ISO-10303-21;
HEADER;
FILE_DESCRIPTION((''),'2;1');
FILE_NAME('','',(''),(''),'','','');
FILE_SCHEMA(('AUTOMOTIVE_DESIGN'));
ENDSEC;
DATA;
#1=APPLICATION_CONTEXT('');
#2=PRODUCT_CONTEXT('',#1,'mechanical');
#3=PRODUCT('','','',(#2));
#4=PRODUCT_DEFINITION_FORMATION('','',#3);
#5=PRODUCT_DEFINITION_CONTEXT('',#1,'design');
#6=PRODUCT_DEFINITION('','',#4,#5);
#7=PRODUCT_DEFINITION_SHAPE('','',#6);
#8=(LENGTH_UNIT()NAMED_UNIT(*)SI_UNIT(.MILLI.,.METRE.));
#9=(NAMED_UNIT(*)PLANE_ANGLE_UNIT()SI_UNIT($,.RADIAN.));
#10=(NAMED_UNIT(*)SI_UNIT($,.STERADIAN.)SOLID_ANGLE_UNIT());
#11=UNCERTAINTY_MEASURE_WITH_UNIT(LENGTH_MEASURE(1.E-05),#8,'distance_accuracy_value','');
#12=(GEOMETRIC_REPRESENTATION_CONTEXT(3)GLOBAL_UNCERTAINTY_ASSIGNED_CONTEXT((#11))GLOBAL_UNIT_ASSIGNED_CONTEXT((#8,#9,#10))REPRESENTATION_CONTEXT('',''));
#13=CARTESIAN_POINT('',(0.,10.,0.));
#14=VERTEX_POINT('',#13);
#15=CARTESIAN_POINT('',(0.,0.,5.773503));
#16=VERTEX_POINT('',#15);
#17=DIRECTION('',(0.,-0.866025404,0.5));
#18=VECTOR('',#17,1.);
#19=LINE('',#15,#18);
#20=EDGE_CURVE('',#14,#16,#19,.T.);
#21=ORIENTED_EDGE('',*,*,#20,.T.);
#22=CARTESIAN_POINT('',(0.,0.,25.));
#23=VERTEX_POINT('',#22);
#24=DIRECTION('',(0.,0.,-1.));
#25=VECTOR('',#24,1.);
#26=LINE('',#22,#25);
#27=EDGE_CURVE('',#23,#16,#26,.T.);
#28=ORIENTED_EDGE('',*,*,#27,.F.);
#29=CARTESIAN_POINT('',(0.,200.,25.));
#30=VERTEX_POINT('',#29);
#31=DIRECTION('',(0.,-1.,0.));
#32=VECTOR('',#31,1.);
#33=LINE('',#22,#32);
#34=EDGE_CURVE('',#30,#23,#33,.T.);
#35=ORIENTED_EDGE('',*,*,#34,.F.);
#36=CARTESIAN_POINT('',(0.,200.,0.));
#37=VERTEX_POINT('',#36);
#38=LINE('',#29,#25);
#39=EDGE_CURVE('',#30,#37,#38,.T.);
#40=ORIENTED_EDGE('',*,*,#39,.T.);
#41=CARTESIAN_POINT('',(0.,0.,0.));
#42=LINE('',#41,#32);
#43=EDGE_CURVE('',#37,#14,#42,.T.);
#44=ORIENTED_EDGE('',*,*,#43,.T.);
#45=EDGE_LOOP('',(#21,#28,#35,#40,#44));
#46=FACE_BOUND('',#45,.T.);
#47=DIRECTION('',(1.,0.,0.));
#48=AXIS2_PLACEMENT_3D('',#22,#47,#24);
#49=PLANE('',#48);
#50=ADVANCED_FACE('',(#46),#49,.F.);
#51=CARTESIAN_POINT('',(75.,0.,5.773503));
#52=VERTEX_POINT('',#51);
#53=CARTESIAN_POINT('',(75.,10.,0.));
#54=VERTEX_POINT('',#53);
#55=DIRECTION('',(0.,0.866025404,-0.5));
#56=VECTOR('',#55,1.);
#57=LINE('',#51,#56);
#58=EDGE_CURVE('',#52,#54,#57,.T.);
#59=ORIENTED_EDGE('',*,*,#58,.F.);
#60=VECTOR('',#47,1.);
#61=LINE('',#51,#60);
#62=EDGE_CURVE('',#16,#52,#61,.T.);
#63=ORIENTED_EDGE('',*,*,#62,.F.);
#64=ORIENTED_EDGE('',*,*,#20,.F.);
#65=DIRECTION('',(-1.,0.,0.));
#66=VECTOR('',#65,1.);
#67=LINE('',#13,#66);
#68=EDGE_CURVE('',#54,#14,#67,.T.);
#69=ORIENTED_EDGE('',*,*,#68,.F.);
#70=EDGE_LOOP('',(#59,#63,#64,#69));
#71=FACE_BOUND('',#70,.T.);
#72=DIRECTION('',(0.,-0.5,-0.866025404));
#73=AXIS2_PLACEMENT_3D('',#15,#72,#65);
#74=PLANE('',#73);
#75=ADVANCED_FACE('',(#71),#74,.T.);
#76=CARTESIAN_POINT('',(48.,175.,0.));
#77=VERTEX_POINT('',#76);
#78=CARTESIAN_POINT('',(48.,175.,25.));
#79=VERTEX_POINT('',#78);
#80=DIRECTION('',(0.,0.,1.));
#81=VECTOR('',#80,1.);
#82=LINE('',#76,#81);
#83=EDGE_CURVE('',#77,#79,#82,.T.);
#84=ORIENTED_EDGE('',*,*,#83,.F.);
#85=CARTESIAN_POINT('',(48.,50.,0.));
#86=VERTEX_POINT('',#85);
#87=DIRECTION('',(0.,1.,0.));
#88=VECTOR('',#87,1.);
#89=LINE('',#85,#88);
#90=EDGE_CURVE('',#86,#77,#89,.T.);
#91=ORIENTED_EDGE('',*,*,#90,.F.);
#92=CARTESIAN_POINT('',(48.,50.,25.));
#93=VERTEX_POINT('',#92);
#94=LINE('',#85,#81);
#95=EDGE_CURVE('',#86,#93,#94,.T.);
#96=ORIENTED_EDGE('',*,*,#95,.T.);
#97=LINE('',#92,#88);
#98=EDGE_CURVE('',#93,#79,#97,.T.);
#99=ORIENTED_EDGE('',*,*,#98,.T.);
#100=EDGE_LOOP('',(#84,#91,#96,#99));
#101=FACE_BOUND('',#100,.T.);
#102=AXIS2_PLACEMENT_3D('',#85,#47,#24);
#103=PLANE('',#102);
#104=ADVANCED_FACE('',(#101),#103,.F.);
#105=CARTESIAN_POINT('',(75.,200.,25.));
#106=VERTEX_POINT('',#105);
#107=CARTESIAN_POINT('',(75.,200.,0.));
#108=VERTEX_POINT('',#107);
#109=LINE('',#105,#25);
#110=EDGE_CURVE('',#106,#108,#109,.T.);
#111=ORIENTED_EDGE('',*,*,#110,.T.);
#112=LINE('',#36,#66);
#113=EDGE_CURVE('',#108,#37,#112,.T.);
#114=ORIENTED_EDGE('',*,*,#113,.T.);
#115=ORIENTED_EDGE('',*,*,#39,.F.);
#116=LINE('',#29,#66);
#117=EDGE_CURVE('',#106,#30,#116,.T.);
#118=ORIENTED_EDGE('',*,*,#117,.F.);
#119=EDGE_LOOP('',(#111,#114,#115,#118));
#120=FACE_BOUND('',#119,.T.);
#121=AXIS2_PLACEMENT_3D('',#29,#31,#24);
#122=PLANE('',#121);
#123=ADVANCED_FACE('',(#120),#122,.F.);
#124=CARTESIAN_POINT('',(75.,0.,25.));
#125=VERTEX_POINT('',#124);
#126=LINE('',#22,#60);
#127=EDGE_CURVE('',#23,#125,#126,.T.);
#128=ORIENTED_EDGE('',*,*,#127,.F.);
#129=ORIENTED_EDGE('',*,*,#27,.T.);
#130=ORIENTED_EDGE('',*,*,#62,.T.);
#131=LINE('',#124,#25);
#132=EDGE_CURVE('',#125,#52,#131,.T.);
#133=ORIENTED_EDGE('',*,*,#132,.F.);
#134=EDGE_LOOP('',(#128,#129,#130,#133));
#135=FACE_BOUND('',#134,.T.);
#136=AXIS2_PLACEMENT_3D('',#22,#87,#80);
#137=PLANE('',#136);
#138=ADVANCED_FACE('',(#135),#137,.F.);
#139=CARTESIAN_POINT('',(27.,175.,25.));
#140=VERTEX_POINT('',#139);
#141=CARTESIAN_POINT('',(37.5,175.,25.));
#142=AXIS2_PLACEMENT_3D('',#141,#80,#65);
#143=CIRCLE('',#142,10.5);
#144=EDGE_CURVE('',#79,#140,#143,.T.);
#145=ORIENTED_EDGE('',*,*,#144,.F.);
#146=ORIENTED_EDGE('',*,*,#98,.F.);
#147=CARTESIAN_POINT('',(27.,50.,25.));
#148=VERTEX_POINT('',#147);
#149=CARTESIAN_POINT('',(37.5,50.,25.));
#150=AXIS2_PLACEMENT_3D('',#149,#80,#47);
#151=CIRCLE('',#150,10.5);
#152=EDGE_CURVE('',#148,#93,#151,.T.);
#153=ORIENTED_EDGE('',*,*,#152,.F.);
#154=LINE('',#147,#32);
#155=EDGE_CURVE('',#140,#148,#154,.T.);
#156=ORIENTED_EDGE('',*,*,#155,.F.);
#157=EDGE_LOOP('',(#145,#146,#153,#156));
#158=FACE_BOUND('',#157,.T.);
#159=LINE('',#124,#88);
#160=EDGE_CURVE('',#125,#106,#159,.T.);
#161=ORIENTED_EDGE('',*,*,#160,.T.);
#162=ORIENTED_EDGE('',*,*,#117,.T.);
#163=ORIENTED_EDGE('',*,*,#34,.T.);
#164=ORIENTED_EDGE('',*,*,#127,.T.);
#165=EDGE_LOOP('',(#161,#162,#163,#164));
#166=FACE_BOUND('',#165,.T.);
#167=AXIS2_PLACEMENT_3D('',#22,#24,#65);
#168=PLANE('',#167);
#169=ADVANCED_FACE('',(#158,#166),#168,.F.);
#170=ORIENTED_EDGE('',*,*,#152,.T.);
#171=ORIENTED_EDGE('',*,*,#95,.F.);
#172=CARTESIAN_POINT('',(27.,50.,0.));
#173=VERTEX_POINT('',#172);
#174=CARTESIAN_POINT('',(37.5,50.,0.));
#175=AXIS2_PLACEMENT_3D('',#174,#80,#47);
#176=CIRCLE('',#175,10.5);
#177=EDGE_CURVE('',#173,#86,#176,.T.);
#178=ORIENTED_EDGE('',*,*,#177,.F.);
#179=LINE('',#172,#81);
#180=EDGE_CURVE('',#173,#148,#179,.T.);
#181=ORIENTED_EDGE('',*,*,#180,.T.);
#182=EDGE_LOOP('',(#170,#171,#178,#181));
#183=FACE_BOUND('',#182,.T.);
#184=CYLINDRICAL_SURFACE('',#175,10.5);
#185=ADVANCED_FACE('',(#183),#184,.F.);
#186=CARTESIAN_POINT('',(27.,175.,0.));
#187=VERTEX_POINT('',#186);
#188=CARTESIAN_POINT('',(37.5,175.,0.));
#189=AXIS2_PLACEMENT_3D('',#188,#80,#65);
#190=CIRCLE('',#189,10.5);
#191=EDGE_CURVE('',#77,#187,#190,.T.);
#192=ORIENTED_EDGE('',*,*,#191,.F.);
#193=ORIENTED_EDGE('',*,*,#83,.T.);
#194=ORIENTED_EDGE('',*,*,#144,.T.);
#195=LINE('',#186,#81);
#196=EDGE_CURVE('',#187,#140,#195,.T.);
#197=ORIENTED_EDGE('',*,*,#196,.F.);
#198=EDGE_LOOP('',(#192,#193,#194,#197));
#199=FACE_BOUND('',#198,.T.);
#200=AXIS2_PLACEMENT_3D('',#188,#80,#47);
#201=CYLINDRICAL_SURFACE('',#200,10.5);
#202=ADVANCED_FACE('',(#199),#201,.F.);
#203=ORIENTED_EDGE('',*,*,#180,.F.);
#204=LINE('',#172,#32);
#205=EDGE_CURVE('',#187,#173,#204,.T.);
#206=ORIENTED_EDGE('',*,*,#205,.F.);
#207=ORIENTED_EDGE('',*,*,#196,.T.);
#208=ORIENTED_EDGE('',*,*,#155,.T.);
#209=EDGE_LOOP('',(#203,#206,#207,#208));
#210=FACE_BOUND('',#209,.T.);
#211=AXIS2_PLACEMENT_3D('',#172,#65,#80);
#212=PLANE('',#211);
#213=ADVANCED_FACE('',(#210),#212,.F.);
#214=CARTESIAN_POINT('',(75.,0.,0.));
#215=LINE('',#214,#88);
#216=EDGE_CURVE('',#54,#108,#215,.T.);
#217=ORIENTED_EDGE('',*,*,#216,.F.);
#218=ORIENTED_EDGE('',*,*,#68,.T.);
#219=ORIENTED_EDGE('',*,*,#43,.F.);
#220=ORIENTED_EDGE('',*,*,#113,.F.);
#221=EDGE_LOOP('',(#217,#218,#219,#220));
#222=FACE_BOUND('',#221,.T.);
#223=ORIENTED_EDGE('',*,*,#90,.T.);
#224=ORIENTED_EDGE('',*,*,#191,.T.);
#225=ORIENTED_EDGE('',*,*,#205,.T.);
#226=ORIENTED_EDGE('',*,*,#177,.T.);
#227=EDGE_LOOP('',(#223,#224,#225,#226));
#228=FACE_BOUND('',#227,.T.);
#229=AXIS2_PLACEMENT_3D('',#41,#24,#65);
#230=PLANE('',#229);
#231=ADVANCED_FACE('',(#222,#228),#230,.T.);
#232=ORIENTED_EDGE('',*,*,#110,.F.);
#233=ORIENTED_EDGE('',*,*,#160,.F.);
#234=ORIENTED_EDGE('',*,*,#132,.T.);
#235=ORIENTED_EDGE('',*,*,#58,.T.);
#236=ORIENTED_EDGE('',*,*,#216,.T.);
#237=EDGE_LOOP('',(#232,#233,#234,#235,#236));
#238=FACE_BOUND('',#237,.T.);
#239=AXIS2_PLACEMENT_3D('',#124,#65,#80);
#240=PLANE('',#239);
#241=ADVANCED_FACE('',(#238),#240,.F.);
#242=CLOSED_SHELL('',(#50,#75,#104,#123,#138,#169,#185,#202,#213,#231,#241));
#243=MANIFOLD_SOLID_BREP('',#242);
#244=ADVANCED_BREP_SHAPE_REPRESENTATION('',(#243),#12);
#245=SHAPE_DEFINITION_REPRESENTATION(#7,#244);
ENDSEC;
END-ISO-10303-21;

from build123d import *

# Parameters (mm, degrees)
SKETCH_1_W          = 75
SKETCH_1_H          = 200
EXTRUDE_1_DEPTH     = 25
CUT_EXTRUDE_1_DEPTH = 26
CHAMFER_1_SIZE      = 10
CHAMFER_1_SIZE2     = 5.773502692


with BuildPart() as part:
    # Эскиз1 → Бобышка-Вытянуть1 (new body)
    with BuildSketch(Plane.XY):
        with Locations((37.5, 100)):
            Rectangle(SKETCH_1_W, SKETCH_1_H)
    extrude(amount=EXTRUDE_1_DEPTH)

    # Эскиз2 → Вырез-Вытянуть1 (cut, through all)
    with BuildSketch(Plane.XY.offset(25)):
        with BuildLine():
            Line((27, 50), (27, 175))
            ThreePointArc((27, 175), (37.5, 185.5), (48, 175))
            Line((48, 175), (48, 50))
            ThreePointArc((48, 50), (37.5, 39.5), (27, 50))
        make_face()
    extrude(amount=-CUT_EXTRUDE_1_DEPTH, mode=Mode.SUBTRACT)

    # Фаска1
    chamfer_1_edges = [part.edges().sort_by_distance(p)[0] for p in [
        (37.5, 0, 0),
    ]]
    chamfer_1_side = [part.faces().sort_by_distance(p)[0] for p in [
        (37.5, 2.136000936, 0),
    ]]
    chamfer(chamfer_1_edges, length=CHAMFER_1_SIZE, length2=CHAMFER_1_SIZE2, reference=chamfer_1_side[0])


solid = part.part
